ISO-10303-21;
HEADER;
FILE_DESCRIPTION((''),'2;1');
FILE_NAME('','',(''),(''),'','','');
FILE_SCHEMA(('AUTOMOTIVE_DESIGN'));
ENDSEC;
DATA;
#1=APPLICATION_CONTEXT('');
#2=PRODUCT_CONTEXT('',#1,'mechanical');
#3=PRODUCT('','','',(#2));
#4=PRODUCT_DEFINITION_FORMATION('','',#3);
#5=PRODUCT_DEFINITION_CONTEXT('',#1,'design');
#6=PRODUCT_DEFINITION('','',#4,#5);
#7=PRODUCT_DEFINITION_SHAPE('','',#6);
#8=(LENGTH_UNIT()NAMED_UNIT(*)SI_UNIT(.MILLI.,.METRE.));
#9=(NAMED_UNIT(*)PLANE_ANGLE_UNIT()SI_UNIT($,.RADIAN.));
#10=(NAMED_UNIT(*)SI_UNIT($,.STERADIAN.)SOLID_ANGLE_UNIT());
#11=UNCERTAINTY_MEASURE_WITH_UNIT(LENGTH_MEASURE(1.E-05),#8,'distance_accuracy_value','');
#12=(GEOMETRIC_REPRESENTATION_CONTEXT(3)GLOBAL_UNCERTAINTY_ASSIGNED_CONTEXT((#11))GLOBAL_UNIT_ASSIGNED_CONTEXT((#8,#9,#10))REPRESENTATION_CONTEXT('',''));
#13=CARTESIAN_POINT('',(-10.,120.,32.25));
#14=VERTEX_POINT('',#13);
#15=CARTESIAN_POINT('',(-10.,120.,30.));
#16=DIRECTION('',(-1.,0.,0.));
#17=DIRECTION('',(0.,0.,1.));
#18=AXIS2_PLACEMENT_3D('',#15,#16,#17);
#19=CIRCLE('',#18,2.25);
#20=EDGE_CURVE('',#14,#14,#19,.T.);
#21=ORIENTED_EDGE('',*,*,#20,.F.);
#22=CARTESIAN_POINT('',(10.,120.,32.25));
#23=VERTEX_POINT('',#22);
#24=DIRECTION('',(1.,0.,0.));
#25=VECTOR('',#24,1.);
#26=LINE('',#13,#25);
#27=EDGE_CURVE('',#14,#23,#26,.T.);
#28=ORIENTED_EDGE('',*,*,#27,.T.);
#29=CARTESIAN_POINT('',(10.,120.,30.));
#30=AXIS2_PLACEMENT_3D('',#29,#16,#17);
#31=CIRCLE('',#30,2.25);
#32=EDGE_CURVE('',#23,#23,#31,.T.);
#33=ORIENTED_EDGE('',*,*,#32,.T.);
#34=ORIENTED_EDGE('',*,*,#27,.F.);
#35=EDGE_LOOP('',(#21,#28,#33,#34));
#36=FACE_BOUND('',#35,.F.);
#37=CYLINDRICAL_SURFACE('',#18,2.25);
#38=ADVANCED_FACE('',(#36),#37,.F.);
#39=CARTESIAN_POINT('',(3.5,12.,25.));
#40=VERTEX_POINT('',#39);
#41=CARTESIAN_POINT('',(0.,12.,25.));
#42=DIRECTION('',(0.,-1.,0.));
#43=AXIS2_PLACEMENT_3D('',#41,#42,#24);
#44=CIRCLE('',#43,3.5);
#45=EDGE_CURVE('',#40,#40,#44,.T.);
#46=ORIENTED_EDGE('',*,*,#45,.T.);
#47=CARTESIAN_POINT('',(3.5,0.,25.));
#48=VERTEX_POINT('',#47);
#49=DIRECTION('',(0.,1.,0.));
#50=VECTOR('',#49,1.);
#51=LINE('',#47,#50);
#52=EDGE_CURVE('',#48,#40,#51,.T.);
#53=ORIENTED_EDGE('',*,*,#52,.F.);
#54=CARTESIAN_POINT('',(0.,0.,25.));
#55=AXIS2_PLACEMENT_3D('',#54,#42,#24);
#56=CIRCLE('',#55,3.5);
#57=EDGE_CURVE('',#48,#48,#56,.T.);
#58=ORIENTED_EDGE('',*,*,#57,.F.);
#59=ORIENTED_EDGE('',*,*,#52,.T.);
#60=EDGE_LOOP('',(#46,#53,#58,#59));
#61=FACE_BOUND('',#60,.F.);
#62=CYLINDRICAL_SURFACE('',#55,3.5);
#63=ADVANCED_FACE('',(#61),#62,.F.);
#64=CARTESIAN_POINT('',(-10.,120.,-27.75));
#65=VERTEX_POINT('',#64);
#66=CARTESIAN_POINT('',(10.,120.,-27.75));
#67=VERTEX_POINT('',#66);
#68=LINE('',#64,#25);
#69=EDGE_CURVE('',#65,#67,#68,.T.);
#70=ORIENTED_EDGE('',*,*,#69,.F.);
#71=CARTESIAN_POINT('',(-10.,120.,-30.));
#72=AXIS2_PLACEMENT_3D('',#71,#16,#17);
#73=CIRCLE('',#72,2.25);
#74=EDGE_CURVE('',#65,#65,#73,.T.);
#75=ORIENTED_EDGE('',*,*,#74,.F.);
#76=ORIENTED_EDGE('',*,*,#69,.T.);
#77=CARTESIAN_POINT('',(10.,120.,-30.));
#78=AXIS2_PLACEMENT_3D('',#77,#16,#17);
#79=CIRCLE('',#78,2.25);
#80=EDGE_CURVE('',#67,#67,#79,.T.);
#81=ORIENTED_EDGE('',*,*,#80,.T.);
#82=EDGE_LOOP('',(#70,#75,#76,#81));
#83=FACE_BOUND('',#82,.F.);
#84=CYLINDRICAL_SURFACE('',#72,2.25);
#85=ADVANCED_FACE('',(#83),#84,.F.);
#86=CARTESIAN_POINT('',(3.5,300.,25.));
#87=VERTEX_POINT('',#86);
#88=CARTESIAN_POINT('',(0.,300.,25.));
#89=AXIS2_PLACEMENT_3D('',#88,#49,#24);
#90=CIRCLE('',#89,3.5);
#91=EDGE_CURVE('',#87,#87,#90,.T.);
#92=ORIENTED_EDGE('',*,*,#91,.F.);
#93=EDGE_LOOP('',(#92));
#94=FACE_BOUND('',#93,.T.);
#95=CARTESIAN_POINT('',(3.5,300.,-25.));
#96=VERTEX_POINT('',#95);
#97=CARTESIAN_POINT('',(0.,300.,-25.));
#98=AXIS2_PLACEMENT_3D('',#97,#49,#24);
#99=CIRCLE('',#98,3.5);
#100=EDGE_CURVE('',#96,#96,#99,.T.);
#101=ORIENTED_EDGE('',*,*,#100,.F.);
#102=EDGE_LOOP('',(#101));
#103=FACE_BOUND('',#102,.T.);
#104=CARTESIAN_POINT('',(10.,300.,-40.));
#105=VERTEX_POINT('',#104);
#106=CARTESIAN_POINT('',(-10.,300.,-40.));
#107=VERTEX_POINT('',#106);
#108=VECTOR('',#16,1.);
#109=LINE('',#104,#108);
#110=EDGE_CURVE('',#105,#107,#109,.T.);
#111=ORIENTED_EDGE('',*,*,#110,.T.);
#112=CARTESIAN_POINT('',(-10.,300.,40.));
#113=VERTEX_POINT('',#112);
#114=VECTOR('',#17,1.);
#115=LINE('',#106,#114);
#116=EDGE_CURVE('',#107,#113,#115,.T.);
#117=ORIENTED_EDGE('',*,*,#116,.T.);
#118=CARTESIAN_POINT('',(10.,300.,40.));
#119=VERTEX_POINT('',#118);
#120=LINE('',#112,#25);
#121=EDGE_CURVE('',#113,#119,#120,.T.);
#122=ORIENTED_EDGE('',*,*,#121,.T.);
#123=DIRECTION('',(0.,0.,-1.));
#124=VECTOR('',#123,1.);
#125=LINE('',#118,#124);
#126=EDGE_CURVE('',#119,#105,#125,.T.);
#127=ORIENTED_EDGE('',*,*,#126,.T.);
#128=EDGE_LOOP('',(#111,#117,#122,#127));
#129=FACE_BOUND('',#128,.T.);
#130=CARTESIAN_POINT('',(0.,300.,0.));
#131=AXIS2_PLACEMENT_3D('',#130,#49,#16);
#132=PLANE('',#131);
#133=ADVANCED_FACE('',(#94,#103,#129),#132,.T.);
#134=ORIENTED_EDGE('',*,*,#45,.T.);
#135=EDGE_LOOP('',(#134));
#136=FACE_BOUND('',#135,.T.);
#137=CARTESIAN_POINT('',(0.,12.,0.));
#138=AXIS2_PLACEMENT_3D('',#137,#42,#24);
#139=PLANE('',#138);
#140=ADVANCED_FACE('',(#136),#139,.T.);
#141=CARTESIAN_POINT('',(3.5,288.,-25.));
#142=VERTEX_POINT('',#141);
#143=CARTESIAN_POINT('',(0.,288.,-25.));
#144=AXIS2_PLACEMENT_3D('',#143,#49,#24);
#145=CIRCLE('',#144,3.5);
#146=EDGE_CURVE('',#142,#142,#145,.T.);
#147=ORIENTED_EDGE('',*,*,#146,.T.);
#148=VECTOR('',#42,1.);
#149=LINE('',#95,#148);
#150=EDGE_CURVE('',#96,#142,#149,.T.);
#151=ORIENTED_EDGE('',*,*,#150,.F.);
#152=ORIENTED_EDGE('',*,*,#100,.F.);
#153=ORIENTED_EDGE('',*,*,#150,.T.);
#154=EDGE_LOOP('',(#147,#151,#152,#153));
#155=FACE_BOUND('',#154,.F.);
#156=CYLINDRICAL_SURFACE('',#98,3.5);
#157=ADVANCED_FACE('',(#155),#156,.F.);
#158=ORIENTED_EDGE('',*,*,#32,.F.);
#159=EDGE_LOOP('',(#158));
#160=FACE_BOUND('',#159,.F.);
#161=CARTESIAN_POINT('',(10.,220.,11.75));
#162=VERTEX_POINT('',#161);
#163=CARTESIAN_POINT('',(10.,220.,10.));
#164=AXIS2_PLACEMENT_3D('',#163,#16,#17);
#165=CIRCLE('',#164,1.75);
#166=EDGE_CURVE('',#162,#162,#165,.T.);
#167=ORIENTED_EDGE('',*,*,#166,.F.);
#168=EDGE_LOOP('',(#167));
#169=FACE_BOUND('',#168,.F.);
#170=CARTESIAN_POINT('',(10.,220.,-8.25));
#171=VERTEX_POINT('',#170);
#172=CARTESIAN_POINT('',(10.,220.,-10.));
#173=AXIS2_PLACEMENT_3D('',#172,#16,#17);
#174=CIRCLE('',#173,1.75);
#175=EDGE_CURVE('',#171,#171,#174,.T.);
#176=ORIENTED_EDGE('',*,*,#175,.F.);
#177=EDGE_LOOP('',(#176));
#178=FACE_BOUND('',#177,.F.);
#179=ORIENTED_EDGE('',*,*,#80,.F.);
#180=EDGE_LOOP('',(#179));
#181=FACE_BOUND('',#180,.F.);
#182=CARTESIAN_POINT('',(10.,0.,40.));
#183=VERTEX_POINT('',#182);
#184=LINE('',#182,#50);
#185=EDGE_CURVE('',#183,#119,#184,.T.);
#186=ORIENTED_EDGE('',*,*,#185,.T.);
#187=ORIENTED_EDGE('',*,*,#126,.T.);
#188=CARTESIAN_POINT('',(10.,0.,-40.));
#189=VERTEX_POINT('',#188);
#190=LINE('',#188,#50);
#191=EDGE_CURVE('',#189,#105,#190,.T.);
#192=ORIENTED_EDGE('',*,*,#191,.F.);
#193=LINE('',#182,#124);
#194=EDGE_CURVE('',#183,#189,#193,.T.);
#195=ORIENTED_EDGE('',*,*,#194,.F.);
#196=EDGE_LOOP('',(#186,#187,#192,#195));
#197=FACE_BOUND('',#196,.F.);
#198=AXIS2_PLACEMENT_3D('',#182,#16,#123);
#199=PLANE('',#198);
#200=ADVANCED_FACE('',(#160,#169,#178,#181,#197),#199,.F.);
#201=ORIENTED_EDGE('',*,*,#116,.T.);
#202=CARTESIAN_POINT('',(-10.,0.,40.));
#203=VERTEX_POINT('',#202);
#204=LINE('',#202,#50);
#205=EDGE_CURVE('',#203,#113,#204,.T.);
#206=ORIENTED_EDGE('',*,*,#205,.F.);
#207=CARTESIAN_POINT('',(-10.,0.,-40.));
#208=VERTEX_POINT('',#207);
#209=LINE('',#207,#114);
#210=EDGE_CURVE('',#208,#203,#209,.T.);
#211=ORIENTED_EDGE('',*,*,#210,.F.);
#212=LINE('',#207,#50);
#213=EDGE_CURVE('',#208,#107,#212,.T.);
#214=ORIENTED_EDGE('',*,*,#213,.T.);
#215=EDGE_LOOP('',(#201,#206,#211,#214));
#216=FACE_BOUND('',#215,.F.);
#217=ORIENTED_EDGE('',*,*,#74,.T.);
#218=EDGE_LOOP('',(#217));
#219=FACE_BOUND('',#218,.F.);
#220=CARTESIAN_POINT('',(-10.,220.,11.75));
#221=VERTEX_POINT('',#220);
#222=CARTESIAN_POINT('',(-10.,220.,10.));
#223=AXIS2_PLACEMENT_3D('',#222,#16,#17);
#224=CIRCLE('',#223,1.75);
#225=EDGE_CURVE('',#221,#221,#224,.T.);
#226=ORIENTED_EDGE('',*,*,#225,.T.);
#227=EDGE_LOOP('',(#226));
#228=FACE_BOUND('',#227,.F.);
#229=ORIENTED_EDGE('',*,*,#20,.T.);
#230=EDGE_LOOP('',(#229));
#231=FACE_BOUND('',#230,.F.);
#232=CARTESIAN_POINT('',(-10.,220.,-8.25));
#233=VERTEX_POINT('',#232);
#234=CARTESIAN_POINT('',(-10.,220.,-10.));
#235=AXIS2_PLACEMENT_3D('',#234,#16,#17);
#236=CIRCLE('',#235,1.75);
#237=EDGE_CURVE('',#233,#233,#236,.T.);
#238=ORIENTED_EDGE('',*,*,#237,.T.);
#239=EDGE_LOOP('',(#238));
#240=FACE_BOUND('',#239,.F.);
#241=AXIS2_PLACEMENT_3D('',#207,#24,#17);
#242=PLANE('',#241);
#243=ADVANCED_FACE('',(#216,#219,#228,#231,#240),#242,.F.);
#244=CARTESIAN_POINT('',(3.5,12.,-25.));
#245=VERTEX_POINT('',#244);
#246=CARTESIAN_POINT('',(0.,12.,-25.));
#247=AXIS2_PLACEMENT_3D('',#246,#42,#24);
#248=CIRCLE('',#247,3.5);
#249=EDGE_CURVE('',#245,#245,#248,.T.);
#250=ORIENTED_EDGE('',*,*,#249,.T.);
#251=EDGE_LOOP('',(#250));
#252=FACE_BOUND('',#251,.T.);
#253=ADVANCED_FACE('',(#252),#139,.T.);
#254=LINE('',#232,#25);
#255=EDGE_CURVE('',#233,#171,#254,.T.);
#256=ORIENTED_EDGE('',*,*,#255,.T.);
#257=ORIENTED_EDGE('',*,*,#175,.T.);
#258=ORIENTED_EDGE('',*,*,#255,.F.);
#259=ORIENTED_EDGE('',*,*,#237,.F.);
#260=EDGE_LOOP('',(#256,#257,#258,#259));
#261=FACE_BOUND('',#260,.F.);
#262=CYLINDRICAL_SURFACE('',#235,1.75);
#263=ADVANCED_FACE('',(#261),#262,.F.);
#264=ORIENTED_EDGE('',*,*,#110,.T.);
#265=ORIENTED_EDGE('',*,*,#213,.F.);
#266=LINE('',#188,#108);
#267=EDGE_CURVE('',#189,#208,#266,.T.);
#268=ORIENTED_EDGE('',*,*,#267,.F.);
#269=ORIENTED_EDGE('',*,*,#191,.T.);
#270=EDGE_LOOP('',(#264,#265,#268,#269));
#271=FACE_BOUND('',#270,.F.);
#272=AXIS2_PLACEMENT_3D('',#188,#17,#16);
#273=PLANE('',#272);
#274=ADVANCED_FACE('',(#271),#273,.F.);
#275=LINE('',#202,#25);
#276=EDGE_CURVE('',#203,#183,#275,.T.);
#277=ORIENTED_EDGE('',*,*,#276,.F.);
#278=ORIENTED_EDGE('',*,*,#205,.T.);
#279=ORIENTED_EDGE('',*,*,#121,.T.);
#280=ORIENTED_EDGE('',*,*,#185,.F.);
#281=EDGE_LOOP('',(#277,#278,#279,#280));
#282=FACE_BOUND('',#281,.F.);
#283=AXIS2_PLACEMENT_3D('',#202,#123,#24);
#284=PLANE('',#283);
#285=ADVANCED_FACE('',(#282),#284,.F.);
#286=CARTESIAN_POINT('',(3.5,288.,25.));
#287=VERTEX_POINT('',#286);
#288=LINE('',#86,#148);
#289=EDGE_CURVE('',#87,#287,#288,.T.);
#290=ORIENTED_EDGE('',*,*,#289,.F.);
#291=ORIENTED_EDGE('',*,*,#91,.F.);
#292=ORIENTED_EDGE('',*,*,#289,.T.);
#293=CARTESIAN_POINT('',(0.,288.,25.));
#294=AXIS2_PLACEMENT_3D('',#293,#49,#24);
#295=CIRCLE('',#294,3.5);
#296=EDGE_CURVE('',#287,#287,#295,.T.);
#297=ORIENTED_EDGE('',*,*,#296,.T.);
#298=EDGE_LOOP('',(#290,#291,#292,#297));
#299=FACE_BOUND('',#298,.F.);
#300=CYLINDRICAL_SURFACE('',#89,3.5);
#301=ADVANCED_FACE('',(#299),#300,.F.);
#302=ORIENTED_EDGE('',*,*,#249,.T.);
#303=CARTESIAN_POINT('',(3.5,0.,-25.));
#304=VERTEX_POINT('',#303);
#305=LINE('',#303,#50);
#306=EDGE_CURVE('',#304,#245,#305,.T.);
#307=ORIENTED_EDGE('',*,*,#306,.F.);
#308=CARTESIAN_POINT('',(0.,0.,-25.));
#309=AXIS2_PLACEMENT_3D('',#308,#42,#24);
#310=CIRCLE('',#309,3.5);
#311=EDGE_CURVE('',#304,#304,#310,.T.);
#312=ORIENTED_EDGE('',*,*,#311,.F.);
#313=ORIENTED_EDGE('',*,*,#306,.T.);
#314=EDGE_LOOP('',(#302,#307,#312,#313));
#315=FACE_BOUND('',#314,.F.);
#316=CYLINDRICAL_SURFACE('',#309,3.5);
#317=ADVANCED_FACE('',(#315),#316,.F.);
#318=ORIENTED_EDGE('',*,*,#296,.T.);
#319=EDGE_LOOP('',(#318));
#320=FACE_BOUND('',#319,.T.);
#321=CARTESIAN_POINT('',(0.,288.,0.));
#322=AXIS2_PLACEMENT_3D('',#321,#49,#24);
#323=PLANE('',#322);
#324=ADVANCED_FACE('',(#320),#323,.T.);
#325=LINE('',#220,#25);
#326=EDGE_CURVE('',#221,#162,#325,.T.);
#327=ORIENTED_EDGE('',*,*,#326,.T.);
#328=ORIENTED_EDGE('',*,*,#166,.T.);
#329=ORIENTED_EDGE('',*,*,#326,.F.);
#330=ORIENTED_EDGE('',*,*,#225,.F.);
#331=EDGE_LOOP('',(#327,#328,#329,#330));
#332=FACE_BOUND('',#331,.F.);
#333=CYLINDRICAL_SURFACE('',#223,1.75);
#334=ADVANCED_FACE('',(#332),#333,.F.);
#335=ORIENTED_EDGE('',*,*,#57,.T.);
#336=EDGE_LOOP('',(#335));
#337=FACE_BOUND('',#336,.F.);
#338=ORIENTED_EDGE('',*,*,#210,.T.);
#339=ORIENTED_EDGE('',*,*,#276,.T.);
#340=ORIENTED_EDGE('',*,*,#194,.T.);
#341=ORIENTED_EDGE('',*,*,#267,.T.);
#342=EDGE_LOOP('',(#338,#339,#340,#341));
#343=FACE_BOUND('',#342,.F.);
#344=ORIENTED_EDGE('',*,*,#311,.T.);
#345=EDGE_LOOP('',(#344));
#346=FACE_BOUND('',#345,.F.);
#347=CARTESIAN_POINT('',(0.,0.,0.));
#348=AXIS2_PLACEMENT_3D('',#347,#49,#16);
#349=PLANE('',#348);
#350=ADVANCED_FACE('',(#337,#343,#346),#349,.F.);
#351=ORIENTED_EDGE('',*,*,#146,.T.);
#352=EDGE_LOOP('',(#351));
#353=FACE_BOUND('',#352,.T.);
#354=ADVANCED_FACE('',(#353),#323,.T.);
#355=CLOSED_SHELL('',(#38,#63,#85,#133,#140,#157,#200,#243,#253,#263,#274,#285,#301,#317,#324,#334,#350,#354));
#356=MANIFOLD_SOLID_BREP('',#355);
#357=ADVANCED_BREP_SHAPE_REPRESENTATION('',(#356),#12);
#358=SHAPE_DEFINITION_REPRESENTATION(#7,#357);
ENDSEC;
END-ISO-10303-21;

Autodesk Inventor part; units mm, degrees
ref_plane "YZ Plane" through (0, 0, 0) normal (1, 0, 0) x (0, 1, 0)
ref_plane "XZ Plane" through (0, 0, 0) normal (0, 1, 0) x (-1, 0, 0)
ref_plane "XY Plane" through (0, 0, 0) normal (0, 0, 1) x (1, 0, 0)
sketch "Sketch1" plane through (0, 0, 0) normal (0, 1, 0) x (-1, 0, 0)
  line L0 (10, 40) -> (-10, 40)
  line L1 (-10, 40) -> (-10, -40)
  line L2 (-10, -40) -> (10, -40)
  line L3 (10, -40) -> (10, 40)
  line L4 (10, 0) -> (-10, 0) construction
  line L5 (0, 40) -> (0, -40) construction
  point P0 (0, 0)
  point P1 (0, 0)
  dimension "d0" = 20
  dimension "d1" = 80
extrude "Extrusion1" add sketch "Sketch1" along normal blind 300
sketch "Sketch2" plane through (0, 300, 0) normal (0, 1, 0) x (1, 0, 0)
  circle A0 centre (0, 25) radius 3.5
  circle A1 centre (0, -25) radius 3.5
  line L0 (0, -25) -> (0, 25) construction
  line L1 (10, 40) -> (-10, 40) construction
  line L2 (0, 40) -> (0, -40) construction
  line L3 (-10, -40) -> (10, -40) construction
  point P0 (0, 0)
  dimension "d4" = 7
  dimension "d5" = 7
  dimension "d6" = 50
  dimension "d7" = 15
extrude "Extrusion2" cut sketch "Sketch2" against normal blind 12
sketch "Sketch3" plane through (0, 0, 0) normal (0, -1, 0) x (1, 0, 0)
  circle A0 centre (0, 25) radius 3.5 projected
  circle A1 centre (0, -25) radius 3.5 projected
  point P0 (0, 0)
extrude "Extrusion3" cut sketch "Sketch3" against normal blind 12
sketch "Sketch4" plane through (-10, 0, -40) normal (-1, 0, 0) x (0, 0, 1)
  circle A0 centre (10, 120) radius 2.25
  circle A1 centre (70, 120) radius 2.25
  line L0 (10, 120) -> (70, 120) construction
  line L1 (0, 0) -> (0, 300) construction
  line L2 (0, 0) -> (80, 0) construction
  point P0 (40, 0)
  dimension "d12" = 4.5
  dimension "d13" = 4.5
  dimension "d14" = 60
  dimension "d15" = 10
  dimension "d16" = 120
extrude "Extrusion4" cut sketch "Sketch4" against normal up to next
sketch "Sketch5" plane through (-10, 0, -40) normal (-1, 0, 0) x (0, 0, 1)
  circle A0 centre (30, 220) radius 1.75
  circle A1 centre (50, 220) radius 1.75
  line L0 (30, 220) -> (50, 220) construction
  line L1 (0, 0) -> (0, 300) construction
  line L2 (0, 300) -> (80, 300) construction
  point P0 (40, 0)
  dimension "d19" = 3.5
  dimension "d20" = 3.5
  dimension "d21" = 20
  dimension "d22" = 30
  dimension "d23" = 80
extrude "Extrusion5" cut sketch "Sketch5" against normal up to next
properties part number "side_panel"
